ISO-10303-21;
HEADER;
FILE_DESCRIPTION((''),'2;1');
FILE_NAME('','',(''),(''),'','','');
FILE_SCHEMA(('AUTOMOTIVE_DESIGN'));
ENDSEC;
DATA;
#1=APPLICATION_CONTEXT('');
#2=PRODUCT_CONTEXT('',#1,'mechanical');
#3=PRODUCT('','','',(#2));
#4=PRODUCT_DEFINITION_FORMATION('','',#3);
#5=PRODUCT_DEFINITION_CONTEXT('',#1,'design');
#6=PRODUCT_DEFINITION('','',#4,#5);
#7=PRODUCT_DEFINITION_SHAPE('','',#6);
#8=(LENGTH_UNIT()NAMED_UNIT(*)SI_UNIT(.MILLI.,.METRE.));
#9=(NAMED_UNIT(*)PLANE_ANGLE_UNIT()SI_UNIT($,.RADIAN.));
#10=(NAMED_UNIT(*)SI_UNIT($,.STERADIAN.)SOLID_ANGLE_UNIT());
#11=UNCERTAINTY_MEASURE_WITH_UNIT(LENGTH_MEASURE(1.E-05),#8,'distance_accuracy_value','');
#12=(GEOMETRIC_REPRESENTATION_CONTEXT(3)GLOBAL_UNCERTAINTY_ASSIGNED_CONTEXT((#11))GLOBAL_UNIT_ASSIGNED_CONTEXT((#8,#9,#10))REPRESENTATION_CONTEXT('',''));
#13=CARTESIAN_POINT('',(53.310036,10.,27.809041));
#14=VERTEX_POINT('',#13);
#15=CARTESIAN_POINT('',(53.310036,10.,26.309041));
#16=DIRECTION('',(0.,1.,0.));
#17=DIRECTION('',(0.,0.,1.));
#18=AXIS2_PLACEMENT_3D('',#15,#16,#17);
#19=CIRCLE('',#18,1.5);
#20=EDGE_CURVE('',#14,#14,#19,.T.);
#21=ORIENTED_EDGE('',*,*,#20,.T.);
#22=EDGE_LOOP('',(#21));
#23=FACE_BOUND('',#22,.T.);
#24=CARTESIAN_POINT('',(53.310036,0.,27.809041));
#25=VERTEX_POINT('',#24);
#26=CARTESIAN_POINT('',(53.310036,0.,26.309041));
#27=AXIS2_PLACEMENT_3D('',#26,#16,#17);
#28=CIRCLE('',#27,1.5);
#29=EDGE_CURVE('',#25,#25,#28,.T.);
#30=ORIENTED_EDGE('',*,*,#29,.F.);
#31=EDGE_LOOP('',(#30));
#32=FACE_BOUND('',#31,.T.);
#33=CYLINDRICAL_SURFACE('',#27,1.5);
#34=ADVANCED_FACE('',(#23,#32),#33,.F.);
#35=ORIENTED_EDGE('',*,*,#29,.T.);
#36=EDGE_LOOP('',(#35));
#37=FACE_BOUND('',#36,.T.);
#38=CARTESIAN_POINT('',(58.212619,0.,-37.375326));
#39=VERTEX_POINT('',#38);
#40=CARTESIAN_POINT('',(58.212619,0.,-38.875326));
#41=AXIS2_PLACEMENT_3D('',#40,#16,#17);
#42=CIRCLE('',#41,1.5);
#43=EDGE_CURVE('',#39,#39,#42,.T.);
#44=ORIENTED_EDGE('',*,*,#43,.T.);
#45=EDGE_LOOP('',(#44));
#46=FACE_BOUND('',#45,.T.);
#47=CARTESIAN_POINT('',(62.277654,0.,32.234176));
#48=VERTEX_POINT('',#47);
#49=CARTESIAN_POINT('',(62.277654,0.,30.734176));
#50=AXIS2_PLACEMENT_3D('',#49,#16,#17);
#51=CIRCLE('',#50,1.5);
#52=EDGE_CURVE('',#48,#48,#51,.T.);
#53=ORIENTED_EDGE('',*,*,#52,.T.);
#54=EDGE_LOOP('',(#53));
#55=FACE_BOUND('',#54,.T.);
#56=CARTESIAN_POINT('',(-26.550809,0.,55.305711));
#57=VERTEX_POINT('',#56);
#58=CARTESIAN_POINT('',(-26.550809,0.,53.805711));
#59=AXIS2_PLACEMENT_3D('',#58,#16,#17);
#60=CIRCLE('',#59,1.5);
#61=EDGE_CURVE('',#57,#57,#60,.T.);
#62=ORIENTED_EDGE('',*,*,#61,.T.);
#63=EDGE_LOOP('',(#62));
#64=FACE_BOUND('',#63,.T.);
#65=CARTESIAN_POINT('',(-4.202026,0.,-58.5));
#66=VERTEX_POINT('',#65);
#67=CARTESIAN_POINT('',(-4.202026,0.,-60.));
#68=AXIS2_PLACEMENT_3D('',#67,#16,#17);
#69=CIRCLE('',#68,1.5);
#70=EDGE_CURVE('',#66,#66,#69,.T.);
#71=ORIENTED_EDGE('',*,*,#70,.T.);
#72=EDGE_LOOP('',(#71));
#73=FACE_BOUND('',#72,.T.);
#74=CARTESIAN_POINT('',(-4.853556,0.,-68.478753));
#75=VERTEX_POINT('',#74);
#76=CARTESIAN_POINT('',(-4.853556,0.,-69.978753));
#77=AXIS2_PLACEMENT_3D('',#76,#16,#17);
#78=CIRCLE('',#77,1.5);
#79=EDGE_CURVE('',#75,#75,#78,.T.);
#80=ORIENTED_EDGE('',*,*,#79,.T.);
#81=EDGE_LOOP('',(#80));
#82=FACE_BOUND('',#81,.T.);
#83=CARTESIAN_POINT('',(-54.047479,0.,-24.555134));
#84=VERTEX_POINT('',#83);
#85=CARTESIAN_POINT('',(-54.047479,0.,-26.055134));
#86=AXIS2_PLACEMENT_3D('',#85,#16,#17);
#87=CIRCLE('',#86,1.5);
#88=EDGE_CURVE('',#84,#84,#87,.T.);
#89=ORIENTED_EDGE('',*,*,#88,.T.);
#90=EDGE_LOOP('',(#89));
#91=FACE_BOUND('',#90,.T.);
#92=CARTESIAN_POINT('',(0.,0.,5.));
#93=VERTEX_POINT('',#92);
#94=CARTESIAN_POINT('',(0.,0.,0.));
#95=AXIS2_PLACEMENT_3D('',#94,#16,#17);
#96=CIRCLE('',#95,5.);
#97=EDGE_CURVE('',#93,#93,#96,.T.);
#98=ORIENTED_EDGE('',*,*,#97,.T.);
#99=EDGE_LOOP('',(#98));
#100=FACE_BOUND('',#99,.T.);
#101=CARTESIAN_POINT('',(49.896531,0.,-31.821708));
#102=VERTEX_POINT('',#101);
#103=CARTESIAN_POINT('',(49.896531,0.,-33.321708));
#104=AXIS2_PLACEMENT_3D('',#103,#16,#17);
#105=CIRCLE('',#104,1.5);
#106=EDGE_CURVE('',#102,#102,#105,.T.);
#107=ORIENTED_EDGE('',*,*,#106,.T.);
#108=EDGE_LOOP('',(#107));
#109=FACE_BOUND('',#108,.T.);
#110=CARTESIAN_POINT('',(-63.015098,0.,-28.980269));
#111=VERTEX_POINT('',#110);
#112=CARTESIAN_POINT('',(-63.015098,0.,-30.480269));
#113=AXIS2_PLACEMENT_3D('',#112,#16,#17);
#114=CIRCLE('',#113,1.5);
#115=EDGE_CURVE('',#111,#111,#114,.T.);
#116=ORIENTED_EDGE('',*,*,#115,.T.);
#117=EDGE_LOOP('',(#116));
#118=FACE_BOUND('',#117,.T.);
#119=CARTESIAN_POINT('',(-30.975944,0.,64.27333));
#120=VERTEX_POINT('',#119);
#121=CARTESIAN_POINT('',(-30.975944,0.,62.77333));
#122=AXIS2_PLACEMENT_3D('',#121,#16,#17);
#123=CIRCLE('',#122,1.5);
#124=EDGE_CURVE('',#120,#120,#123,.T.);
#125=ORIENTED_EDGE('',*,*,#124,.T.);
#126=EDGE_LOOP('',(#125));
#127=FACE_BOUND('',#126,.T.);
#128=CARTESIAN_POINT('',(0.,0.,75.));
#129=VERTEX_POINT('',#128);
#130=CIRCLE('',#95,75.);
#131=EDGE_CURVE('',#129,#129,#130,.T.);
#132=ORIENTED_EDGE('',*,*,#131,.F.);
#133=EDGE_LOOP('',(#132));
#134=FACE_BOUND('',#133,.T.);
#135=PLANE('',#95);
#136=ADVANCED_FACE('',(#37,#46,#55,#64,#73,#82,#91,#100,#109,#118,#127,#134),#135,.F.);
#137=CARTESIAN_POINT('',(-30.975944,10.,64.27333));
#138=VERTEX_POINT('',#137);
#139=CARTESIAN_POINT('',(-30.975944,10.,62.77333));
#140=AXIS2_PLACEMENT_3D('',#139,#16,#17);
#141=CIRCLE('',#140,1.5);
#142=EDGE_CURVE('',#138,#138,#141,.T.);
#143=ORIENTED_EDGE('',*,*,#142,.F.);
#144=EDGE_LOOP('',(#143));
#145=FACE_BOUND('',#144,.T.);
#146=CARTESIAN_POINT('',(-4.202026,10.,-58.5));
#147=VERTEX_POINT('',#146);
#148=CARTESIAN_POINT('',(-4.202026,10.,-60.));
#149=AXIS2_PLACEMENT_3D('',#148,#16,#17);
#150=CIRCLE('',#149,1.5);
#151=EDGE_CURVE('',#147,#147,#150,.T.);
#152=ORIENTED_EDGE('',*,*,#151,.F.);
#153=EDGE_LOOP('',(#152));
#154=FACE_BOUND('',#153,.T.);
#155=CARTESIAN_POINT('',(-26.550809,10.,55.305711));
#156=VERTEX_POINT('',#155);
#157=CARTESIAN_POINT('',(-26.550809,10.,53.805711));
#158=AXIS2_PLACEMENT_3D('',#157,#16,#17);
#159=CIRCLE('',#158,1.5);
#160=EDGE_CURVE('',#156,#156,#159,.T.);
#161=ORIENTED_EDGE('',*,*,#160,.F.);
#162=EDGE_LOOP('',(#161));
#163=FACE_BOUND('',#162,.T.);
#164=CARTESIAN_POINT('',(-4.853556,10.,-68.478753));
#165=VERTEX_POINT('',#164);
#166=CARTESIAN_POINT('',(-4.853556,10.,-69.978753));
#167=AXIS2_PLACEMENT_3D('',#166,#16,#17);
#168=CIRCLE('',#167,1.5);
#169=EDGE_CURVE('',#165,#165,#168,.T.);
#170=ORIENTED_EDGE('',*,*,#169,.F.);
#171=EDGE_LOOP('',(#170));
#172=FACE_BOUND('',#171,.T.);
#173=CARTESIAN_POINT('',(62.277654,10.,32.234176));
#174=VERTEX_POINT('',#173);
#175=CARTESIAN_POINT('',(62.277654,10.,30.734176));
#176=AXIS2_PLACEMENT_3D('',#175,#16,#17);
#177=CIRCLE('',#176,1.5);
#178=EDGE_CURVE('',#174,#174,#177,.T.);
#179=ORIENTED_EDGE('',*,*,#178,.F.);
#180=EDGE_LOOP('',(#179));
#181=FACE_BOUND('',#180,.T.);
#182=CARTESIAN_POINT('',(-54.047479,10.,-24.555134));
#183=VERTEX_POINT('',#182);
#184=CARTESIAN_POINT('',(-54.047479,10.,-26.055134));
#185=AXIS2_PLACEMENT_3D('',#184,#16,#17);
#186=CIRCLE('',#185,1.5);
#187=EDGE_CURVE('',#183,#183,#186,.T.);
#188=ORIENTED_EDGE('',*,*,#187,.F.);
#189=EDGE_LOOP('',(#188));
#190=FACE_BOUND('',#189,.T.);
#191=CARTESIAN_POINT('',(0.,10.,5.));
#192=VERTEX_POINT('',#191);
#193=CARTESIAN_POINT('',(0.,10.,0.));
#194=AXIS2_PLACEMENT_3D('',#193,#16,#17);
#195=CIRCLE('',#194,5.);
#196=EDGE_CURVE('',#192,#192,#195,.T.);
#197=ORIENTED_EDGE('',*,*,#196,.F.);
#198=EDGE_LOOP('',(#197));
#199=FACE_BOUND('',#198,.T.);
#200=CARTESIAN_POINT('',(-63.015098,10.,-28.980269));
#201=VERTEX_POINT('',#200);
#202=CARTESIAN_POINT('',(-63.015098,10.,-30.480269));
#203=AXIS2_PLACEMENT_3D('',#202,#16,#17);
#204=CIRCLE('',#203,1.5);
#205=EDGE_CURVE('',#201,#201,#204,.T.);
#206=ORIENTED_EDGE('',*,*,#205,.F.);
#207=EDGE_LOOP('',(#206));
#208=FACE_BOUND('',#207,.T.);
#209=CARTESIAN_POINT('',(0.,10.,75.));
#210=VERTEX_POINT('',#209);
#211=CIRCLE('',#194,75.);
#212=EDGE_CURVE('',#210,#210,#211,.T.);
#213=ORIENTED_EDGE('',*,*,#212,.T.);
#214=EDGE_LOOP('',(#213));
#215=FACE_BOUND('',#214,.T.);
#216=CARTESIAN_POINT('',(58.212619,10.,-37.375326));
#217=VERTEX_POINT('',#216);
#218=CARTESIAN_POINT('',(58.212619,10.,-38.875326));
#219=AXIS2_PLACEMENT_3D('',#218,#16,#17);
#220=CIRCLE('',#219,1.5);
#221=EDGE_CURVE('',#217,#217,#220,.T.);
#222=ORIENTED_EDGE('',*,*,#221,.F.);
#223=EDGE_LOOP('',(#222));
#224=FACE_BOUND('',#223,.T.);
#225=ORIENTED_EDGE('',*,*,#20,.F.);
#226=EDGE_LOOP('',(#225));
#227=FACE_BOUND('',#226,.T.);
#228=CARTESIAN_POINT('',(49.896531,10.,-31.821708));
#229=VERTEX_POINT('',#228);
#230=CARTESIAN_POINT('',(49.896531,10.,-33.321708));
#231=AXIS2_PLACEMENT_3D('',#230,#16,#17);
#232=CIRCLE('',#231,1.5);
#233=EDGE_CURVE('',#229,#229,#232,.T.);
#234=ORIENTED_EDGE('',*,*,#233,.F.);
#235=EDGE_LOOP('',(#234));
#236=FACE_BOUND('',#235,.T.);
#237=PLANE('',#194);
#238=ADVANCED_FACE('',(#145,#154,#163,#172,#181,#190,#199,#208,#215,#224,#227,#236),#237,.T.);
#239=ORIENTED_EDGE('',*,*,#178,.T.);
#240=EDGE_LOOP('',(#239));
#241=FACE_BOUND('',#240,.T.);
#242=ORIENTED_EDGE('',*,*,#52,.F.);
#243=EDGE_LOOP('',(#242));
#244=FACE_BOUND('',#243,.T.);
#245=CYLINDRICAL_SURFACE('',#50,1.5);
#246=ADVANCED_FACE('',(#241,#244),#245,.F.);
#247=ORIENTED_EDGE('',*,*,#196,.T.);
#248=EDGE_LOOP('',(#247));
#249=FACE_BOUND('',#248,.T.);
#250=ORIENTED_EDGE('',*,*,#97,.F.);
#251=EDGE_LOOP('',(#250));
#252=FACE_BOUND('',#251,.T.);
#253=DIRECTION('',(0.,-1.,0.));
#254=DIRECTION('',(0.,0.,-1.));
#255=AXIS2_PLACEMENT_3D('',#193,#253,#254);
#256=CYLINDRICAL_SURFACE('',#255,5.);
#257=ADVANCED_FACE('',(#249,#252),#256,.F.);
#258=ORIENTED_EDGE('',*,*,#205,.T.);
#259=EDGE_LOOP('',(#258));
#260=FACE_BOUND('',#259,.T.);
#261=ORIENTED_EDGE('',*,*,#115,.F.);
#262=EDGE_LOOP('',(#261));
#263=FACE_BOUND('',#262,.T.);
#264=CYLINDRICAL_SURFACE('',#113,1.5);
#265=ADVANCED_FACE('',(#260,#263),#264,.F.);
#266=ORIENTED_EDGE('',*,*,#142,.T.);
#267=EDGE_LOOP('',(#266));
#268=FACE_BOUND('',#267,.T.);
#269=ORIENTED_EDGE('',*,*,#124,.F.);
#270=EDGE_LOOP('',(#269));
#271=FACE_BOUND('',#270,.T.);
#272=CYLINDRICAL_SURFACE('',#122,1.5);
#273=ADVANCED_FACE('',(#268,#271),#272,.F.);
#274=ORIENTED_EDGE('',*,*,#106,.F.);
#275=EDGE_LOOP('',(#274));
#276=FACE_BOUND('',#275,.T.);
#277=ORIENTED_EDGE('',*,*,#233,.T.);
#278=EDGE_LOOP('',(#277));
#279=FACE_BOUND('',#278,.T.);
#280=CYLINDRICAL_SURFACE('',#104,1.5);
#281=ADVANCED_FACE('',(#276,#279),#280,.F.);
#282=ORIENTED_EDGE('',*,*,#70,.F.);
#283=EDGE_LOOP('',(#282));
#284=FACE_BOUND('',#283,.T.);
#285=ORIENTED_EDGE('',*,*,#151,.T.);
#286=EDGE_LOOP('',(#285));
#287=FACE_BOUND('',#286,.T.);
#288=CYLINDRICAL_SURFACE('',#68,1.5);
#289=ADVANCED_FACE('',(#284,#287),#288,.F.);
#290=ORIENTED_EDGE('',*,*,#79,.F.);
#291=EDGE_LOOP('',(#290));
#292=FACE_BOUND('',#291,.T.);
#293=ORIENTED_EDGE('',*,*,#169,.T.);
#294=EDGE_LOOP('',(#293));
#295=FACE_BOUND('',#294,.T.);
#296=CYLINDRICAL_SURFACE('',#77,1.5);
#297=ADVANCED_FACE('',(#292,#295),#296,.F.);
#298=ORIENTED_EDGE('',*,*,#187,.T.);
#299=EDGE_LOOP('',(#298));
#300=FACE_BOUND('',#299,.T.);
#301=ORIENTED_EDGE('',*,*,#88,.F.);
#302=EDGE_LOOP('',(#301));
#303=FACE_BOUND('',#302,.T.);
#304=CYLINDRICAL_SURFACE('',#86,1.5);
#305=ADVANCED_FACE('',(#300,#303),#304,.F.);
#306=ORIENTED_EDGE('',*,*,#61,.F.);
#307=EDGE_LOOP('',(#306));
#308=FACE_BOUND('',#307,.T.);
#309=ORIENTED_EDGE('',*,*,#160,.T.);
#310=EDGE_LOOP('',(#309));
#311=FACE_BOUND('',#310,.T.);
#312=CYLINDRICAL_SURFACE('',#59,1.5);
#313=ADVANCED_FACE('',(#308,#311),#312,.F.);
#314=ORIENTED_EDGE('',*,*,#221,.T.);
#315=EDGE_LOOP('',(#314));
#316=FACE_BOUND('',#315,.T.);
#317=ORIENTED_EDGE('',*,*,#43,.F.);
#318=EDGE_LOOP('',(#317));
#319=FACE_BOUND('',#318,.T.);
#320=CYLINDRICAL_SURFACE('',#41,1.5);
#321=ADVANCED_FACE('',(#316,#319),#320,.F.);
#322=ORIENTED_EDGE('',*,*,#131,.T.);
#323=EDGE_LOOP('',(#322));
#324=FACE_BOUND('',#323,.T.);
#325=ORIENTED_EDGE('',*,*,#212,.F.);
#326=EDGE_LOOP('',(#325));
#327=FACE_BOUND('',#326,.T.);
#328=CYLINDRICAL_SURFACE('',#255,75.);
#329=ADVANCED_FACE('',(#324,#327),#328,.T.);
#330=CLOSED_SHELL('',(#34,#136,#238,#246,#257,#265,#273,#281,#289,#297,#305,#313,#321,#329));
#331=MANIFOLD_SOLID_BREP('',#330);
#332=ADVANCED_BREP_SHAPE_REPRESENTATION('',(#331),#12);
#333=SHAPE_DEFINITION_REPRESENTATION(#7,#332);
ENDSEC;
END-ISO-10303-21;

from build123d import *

# Parameters (mm, degrees)
SKETCH1_R               = 75
SKETCH1_R_2             = 5
BOSS_EXTRUDE1_DEPTH     = 10
SKETCH4_R               = 1.5
CUT_EXTRUDE1_DEPTH      = 1
CUT_EXTRUDE1_DEPTH_BACK = 11


with BuildPart() as part:
    # Sketch1 → Boss-Extrude1 (new body)
    with BuildSketch(Plane(origin=(0, 0, 0), x_dir=(1, 0, 0), z_dir=(0, 1, 0))):
        Circle(SKETCH1_R)
        Circle(SKETCH1_R_2, mode=Mode.SUBTRACT)
    extrude(amount=BOSS_EXTRUDE1_DEPTH)

    # Sketch4 → Cut-Extrude1 (cut, two sides)
    with BuildSketch(Plane(origin=(0, 10, 0), x_dir=(1, 0, 0), z_dir=(0, 1, 0))) as cut_extrude1_sk:
        with Locations((-26.550808926, -53.805711085)):
            Circle(SKETCH4_R)
        with Locations((-30.975943747, -62.773329599)):
            Circle(SKETCH4_R)
        with Locations((-63.01509769, 30.480268572)):
            Circle(SKETCH4_R)
        with Locations((-54.047479176, 26.05513375)):
            Circle(SKETCH4_R)
        with Locations((62.277654423, -30.734175657)):
            Circle(SKETCH4_R)
        with Locations((53.310035909, -26.309040836)):
            Circle(SKETCH4_R)
        with Locations((-4.853556436, 69.978752855)):
            Circle(SKETCH4_R)
        with Locations((-4.202026349, 60)):
            Circle(SKETCH4_R)
        with Locations((49.896530564, 33.321708205)):
            Circle(SKETCH4_R)
        with Locations((58.212618991, 38.875326239)):
            Circle(SKETCH4_R)
    extrude(amount=CUT_EXTRUDE1_DEPTH, mode=Mode.SUBTRACT)
    extrude(cut_extrude1_sk.sketch, amount=-CUT_EXTRUDE1_DEPTH_BACK, mode=Mode.SUBTRACT)


solid = part.part
